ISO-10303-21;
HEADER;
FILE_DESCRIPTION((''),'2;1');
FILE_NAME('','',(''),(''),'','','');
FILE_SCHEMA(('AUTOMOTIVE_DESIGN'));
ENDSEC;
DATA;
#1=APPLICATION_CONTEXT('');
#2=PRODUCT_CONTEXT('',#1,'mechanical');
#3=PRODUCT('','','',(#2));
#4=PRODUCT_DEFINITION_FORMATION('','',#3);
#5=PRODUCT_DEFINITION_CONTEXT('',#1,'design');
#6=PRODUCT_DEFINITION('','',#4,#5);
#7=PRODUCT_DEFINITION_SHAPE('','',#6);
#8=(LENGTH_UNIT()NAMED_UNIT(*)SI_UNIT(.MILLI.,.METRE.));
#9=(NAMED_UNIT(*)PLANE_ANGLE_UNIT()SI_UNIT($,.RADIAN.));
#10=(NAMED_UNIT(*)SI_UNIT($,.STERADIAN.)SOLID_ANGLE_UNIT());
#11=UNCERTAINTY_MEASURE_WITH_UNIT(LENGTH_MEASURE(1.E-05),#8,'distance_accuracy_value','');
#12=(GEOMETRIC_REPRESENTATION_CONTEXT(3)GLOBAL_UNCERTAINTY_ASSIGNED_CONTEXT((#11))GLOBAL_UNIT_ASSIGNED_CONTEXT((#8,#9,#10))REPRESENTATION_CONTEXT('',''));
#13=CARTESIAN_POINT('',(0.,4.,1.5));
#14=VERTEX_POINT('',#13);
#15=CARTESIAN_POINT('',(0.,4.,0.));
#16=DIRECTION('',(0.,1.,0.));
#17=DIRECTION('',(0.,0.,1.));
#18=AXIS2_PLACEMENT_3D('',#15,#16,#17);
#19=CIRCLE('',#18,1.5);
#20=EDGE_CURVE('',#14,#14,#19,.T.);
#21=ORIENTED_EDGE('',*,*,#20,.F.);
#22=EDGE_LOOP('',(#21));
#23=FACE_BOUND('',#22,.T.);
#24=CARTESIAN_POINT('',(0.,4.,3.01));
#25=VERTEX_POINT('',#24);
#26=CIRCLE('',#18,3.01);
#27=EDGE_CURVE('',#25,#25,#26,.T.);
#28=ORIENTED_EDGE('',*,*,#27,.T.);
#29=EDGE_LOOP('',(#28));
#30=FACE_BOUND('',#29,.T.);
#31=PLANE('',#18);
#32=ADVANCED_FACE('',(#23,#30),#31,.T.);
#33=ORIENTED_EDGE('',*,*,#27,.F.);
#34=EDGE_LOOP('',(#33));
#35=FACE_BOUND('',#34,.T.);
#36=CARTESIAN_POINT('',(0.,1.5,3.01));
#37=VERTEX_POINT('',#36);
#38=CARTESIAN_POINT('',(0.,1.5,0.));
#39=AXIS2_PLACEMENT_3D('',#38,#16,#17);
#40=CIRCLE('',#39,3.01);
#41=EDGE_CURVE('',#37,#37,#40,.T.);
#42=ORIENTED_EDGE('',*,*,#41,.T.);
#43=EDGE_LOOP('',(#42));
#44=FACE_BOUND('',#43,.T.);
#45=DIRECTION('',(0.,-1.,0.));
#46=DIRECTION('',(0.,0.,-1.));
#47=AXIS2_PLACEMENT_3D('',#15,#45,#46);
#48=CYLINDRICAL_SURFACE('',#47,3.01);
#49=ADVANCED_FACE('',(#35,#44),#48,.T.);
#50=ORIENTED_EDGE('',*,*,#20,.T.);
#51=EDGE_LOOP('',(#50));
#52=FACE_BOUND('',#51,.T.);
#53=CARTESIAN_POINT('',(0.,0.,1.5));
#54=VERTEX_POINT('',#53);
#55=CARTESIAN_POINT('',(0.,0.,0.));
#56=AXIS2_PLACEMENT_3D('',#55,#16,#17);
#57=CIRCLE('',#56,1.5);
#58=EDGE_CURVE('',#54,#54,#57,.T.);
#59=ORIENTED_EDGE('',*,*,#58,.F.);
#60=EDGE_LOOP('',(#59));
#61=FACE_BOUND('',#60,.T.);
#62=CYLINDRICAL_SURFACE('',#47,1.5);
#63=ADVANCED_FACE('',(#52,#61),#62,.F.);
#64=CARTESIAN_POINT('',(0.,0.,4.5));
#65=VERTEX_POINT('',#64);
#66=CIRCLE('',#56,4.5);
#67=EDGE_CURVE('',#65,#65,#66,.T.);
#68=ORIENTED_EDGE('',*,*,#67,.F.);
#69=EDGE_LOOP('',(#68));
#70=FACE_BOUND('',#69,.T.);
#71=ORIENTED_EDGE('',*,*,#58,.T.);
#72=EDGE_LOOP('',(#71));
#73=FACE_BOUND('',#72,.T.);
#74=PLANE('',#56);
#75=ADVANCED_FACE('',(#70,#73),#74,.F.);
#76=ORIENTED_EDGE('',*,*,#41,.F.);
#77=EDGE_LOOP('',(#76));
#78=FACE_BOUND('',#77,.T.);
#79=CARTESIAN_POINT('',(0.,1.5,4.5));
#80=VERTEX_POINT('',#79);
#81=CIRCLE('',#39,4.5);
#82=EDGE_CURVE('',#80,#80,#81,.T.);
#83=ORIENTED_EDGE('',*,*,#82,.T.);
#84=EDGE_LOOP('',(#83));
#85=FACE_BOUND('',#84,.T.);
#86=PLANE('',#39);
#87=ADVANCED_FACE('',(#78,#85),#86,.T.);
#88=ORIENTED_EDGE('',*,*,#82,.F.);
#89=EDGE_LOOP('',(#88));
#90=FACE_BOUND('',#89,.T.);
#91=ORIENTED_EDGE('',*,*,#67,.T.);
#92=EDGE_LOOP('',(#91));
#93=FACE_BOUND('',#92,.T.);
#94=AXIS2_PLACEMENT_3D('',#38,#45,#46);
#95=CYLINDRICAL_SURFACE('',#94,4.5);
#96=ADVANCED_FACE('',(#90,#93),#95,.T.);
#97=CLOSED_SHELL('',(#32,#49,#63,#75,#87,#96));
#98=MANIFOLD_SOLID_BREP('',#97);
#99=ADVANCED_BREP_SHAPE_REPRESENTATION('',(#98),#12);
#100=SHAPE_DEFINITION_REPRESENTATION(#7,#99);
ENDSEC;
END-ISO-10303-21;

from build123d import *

# Parameters (mm, degrees)
SKETCH2_R           = 3.01
SKETCH2_R_2         = 1.5
BOSS_EXTRUDE1_DEPTH = 4
SKETCH3_R           = 4.5
SKETCH3_R_2         = 3.01
BOSS_EXTRUDE2_DEPTH = 1.5


with BuildPart() as part:
    # Sketch2 → Boss-Extrude1 (new body)
    with BuildSketch(Plane(origin=(0, 0, 0), x_dir=(1, 0, 0), z_dir=(0, 1, 0))):
        Circle(SKETCH2_R)
        Circle(SKETCH2_R_2, mode=Mode.SUBTRACT)
    extrude(amount=BOSS_EXTRUDE1_DEPTH)

    # Sketch3 → Boss-Extrude2 (add)
    with BuildSketch(Plane(origin=(0, 0, 0), x_dir=(1, 0, 0), z_dir=(0, 1, 0))):
        Circle(SKETCH3_R)
        Circle(SKETCH3_R_2, mode=Mode.SUBTRACT)
    extrude(amount=BOSS_EXTRUDE2_DEPTH)


solid = part.part
